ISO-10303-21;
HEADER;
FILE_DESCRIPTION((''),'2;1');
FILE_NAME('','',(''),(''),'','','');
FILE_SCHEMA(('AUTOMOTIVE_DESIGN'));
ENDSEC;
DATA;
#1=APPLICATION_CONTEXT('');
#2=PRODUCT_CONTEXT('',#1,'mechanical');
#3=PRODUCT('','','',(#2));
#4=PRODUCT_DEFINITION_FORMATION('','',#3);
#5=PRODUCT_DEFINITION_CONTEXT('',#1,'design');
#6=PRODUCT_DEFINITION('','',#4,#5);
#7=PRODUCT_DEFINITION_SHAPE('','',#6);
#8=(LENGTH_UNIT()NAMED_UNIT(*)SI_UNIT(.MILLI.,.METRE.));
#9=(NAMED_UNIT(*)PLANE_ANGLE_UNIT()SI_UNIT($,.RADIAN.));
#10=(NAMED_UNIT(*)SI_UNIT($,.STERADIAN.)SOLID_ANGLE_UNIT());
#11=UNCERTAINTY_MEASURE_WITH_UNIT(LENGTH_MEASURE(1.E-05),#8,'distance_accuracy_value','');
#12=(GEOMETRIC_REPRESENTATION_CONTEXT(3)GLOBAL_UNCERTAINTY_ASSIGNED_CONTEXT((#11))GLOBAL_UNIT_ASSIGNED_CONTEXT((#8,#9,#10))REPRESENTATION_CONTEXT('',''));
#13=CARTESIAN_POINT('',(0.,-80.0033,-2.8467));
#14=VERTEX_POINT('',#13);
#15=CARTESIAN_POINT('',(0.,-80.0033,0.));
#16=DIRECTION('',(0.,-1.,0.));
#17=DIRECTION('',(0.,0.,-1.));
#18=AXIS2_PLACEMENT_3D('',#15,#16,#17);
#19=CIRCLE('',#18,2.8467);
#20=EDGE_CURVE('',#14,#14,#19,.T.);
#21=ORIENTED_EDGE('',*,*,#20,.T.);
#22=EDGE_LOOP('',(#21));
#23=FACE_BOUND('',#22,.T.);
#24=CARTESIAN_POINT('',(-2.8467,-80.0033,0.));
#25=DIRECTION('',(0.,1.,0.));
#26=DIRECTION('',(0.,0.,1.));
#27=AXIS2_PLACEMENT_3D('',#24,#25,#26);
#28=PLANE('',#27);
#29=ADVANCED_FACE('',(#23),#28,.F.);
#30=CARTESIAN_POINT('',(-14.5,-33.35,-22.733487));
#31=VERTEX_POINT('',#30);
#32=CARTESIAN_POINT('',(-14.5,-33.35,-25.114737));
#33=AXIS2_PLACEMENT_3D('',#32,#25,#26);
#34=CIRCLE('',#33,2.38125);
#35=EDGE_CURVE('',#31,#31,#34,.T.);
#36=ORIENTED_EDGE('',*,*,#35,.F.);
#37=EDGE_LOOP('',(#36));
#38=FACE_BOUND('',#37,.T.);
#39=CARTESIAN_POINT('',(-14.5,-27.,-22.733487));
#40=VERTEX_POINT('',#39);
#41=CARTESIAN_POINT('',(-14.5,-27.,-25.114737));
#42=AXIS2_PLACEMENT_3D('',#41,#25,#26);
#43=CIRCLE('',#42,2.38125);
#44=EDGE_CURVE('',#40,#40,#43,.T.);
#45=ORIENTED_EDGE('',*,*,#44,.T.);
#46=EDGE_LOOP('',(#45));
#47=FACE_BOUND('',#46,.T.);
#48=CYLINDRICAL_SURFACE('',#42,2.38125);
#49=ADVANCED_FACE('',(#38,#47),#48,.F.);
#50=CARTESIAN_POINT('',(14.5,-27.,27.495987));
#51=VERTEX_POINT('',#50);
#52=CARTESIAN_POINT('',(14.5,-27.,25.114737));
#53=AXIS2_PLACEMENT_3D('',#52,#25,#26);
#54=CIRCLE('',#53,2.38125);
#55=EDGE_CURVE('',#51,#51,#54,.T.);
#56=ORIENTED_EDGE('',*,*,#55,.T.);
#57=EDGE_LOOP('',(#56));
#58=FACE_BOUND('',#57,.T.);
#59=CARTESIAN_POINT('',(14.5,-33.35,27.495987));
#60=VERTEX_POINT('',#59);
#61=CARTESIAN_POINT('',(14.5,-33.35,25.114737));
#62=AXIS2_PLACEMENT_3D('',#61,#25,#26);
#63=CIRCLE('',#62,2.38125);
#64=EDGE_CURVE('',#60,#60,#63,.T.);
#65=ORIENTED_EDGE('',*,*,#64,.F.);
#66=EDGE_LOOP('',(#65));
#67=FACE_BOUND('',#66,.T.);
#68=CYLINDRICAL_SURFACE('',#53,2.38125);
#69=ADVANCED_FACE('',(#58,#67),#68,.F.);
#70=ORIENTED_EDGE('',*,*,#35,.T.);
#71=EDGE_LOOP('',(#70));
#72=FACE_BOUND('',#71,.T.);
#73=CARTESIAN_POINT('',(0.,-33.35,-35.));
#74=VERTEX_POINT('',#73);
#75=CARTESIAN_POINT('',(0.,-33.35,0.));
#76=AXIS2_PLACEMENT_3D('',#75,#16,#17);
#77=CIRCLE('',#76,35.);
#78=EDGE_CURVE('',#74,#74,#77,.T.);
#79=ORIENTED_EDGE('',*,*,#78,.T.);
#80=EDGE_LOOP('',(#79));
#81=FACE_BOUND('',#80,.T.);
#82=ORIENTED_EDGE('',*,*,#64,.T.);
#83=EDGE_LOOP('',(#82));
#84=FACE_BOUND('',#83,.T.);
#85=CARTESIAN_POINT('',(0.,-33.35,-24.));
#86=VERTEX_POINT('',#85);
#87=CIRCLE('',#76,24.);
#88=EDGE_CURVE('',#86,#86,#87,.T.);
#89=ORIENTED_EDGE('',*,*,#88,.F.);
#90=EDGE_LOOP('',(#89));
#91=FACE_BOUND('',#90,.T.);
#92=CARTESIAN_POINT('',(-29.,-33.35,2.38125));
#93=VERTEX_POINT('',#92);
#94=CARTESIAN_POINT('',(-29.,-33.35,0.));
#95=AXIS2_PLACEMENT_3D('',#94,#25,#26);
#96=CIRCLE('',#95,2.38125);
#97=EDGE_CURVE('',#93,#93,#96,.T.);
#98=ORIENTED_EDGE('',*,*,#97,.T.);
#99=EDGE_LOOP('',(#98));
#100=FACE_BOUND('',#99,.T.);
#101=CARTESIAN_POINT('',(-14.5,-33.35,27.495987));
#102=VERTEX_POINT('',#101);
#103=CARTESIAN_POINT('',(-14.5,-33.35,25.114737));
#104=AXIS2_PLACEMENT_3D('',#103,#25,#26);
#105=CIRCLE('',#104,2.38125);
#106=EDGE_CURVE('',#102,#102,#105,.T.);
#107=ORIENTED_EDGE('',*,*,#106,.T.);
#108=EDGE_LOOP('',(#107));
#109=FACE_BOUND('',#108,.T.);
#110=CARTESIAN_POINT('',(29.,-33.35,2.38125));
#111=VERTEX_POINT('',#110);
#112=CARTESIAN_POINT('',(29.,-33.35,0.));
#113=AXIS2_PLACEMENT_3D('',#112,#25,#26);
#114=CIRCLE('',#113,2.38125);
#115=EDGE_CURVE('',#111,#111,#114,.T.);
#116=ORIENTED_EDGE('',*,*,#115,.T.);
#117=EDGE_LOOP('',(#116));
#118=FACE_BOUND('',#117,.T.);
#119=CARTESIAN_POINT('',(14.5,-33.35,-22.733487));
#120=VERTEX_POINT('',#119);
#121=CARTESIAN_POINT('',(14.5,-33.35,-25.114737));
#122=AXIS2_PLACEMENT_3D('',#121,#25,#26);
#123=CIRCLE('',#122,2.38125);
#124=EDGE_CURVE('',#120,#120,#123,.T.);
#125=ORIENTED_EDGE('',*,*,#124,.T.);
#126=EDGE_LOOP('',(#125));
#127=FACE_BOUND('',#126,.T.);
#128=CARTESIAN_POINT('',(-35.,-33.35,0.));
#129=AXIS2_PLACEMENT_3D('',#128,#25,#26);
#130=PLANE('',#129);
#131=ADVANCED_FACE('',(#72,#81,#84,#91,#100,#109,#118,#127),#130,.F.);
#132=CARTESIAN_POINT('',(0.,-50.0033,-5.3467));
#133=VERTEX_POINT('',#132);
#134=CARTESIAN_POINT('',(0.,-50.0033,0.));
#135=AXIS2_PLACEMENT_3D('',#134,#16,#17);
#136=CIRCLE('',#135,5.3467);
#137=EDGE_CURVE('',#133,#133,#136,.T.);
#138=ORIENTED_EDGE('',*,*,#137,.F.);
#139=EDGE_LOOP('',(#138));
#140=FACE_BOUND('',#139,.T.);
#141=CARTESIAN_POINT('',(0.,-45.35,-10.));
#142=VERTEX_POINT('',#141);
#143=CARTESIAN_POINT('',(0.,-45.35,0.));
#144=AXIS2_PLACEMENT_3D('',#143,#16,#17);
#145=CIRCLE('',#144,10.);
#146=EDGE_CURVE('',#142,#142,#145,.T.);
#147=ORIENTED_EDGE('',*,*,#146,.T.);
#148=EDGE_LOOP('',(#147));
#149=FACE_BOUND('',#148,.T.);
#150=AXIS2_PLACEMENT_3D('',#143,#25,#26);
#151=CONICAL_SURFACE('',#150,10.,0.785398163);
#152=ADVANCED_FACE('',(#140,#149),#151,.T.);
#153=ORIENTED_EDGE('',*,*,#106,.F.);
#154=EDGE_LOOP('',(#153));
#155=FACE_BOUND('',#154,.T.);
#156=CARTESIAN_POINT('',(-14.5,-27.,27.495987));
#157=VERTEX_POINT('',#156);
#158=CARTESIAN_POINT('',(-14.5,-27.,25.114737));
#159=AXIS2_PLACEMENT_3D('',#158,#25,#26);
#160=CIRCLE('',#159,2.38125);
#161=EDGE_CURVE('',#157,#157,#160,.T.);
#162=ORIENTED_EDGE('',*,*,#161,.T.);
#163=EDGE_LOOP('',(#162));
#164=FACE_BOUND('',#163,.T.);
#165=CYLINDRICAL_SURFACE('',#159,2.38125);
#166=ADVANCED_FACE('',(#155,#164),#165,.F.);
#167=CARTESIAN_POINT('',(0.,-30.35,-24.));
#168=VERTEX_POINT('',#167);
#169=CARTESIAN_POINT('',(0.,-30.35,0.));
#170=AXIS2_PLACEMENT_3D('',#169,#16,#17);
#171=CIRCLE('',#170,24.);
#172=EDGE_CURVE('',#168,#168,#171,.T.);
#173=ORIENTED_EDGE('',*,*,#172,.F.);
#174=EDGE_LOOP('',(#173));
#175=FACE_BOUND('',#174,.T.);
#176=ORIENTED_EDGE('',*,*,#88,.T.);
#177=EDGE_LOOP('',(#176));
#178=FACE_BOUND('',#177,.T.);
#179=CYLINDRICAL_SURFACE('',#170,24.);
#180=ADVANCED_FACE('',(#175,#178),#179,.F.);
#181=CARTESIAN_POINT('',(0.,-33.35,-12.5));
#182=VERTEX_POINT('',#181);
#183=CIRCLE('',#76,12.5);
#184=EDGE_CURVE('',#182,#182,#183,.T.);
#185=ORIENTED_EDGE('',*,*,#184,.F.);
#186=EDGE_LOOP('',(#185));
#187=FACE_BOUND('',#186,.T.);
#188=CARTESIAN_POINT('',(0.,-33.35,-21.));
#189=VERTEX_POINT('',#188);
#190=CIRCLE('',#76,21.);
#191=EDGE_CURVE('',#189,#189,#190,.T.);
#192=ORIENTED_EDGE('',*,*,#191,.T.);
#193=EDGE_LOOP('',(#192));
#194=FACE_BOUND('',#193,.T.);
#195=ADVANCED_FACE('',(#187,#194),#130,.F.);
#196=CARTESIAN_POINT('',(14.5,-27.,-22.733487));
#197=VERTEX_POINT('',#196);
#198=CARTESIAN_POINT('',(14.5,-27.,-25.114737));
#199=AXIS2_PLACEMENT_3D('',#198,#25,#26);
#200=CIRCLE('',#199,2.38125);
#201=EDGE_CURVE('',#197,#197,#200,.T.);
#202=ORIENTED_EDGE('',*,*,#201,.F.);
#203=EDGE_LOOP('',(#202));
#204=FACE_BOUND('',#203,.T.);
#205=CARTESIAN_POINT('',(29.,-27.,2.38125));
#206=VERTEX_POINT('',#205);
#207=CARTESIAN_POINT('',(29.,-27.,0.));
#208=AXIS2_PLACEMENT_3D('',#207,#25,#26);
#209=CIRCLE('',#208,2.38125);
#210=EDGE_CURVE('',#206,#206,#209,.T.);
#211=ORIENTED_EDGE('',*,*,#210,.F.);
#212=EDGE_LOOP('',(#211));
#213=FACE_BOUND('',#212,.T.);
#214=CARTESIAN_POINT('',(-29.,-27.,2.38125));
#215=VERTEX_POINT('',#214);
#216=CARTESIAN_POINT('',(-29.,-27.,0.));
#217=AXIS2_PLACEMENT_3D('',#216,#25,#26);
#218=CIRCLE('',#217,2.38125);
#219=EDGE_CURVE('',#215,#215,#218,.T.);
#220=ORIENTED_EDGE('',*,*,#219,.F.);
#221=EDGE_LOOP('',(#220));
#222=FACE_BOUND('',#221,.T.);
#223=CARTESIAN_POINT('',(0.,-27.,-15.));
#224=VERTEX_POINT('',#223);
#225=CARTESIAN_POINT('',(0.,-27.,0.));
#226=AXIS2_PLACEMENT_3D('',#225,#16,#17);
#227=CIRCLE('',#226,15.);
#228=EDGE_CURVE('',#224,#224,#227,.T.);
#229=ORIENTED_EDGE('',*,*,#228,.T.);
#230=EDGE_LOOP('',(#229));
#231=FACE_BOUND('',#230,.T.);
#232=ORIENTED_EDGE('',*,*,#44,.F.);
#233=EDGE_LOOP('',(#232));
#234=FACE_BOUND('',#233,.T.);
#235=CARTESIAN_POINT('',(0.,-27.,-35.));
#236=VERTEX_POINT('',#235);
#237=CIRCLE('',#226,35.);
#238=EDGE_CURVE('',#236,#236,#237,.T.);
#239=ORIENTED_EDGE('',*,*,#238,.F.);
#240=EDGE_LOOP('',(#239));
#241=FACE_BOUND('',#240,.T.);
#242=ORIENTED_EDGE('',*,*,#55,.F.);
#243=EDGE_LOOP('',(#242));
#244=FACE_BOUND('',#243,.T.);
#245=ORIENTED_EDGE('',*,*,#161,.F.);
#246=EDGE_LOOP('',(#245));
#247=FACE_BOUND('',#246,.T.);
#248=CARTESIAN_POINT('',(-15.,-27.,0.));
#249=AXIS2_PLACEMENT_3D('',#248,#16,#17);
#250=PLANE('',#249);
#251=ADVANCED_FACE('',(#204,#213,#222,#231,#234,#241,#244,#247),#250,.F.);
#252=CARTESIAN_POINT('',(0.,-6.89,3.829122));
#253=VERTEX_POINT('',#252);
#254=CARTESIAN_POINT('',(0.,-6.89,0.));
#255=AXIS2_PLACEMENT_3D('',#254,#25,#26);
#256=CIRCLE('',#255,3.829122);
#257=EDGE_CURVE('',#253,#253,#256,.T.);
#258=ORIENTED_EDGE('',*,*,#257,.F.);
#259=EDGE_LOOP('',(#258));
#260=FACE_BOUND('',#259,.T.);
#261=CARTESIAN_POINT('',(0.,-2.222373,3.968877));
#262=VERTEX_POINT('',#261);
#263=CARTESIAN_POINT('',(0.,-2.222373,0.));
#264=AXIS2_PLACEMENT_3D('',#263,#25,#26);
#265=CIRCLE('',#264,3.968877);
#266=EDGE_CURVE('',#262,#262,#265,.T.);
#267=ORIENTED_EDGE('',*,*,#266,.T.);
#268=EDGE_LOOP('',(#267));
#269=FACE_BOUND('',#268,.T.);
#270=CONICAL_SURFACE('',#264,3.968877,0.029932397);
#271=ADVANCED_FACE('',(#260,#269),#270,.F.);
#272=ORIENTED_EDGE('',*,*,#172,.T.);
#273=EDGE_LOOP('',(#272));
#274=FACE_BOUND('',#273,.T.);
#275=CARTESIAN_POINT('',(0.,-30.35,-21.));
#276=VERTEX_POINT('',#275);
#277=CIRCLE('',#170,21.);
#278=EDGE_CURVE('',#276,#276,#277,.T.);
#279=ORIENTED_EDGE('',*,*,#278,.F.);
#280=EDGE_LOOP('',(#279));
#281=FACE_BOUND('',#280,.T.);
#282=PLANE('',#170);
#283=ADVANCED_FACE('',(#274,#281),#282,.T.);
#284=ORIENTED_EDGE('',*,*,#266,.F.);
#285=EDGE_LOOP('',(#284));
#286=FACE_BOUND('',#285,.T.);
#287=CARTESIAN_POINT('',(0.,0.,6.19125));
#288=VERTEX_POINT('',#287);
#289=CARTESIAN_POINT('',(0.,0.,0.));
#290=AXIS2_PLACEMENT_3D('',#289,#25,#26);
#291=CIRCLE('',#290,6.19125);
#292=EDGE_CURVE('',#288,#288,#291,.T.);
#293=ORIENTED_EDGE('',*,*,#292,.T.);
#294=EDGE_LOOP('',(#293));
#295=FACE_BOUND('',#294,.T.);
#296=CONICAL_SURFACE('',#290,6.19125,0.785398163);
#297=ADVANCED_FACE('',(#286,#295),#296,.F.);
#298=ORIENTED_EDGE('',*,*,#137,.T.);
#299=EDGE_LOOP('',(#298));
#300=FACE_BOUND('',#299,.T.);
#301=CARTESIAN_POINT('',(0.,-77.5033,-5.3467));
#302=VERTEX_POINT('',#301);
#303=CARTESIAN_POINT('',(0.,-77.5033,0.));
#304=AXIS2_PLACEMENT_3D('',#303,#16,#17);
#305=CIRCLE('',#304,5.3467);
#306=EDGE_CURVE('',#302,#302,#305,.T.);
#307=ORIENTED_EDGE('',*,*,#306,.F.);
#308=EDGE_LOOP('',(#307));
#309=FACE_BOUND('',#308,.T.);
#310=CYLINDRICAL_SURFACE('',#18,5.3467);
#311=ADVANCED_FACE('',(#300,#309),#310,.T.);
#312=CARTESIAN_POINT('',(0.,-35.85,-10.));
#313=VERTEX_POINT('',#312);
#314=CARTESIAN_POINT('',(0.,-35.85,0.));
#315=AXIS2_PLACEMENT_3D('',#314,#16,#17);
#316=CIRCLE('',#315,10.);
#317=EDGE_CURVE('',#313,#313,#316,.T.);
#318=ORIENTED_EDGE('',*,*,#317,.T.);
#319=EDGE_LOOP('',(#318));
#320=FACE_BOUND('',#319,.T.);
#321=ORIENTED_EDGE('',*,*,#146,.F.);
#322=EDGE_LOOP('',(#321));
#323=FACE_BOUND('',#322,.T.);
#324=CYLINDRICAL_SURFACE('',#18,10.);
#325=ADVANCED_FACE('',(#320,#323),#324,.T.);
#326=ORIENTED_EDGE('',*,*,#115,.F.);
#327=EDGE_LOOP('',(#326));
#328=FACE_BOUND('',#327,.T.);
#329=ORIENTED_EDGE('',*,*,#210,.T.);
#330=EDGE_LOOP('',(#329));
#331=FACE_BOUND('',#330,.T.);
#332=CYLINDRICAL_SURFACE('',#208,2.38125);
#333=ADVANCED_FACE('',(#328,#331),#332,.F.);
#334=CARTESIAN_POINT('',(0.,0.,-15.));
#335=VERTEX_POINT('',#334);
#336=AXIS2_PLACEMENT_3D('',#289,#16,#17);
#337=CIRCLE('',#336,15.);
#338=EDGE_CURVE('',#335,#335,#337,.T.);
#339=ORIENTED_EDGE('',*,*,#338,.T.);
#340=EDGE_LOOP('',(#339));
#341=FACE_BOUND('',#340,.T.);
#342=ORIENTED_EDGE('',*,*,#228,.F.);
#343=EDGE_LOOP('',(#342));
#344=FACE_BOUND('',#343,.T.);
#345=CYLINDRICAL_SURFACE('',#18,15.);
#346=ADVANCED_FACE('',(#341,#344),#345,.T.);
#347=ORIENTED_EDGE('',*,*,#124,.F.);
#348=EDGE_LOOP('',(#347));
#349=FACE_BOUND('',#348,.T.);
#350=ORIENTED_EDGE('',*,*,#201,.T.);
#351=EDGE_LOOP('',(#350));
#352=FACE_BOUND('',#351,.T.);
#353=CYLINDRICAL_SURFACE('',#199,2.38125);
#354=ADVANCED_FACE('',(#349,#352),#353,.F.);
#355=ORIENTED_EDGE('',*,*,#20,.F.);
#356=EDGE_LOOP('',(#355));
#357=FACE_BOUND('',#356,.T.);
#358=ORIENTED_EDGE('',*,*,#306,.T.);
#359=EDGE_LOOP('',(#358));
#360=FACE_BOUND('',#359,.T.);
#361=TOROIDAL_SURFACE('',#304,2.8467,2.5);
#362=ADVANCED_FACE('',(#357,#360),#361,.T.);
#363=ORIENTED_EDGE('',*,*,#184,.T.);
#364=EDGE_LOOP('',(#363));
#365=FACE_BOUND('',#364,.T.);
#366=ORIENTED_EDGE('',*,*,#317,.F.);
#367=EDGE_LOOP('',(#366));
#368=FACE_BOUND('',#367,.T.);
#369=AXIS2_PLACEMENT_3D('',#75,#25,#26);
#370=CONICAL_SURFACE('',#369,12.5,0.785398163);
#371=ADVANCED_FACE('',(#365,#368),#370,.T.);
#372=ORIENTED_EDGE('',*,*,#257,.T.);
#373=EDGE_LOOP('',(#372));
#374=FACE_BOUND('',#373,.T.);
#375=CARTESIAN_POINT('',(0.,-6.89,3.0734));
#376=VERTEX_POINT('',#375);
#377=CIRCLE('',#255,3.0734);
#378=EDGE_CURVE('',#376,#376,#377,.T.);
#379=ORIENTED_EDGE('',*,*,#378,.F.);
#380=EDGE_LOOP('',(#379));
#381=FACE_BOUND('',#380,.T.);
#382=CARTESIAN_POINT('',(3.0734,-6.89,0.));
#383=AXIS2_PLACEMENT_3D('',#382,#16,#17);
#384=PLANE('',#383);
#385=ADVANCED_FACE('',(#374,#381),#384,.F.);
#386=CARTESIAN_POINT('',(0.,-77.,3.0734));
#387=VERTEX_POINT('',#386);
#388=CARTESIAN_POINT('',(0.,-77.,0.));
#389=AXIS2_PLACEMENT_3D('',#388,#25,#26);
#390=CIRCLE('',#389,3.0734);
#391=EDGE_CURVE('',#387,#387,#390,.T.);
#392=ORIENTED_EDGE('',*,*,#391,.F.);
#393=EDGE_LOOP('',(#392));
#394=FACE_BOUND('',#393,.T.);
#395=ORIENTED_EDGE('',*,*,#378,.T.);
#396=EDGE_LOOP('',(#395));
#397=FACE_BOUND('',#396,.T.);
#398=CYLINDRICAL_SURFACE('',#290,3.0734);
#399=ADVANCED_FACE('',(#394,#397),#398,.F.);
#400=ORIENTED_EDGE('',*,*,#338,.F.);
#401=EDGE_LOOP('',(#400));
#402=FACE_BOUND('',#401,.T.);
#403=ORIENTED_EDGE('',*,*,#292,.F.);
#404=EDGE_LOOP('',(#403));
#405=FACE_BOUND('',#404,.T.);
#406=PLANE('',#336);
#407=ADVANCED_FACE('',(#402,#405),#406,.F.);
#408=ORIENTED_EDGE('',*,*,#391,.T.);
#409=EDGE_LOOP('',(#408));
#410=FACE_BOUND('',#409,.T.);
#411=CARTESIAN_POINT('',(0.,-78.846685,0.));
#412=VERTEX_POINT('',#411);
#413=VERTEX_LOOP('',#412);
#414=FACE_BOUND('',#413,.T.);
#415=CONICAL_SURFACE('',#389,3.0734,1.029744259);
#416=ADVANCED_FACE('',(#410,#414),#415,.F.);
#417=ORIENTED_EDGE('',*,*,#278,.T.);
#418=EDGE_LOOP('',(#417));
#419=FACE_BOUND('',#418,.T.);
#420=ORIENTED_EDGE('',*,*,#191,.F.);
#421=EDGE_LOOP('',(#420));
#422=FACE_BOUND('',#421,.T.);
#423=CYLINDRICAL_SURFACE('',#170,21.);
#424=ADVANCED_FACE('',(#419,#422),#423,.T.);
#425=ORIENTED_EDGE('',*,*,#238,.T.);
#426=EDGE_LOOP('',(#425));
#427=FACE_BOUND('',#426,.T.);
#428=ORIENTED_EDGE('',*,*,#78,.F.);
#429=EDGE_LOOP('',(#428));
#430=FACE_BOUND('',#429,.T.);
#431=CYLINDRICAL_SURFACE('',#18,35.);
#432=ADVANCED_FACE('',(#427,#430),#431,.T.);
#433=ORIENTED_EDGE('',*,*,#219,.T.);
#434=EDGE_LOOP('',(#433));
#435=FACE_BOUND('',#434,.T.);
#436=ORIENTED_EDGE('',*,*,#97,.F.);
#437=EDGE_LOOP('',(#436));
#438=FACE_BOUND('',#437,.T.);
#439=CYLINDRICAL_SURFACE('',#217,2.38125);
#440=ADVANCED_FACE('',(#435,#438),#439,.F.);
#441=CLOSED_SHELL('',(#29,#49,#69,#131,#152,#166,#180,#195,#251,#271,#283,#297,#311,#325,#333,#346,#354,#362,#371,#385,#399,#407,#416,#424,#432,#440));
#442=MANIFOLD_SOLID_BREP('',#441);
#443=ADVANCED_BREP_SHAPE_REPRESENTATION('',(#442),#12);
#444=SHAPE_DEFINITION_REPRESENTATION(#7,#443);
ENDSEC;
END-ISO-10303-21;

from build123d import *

# Parameters (mm, degrees)
SKETCH5_R                      = 24
SKETCH5_R_2                    = 21
CUT_EXTRUDE1_DEPTH             = 3
F_3_16_0_1875_DIAMETER_HOLE1_D = 4.7625
CIRPATTERN1_COUNT              = 6


with BuildPart() as part:
    # Sketch1 → Revolve1 (revolve)
    with BuildSketch(Plane.XY, mode=Mode.PRIVATE) as revolve1_sk:
        with BuildLine():
            Line((0, 0), (-15, 0))
            Line((-15, 0), (-15, -27))
            Line((-15, -27), (-35, -27))
            Line((-35, -27), (-35, -33.35))
            Line((-35, -33.35), (-12.5, -33.35))
            Line((-12.5, -33.35), (-10, -35.85))
            Line((-10, -35.85), (-10, -45.35))
            Line((-10, -45.35), (-5.3467, -50.0033))
            Line((-5.3467, -50.0033), (-5.3467, -77.5033))
            ThreePointArc((-5.3467, -77.5033), (-4.614466953, -79.271066953), (-2.8467, -80.0033))
            Line((-2.8467, -80.0033), (0, -80.0033))
            Line((0, -80.0033), (0, 0))
        make_face()
    revolve(revolve1_sk.sketch.rotate(Axis((0, -80.0033, 0), (0, 1, 0)), 270), axis=Axis((0, -80.0033, 0), (0, 1, 0)))

    # Sketch4 → 1/16 NPT Tapped Hole1 (revolve, cut)
    with BuildSketch(Plane(origin=(0, 0, 0), x_dir=(0, 0, 1), z_dir=(1, 0, 0))):
        Polygon((0, 0), (0, 78.846685027), (3.0734, 77), (3.0734, 6.89), (3.829121997, 6.89), (3.968877, 2.222373), (6.19125, 0), align=None)
    revolve(axis=Axis((0, 6.35, 0), (0, -1, 0)), mode=Mode.SUBTRACT)

    # Sketch5 → Cut-Extrude1 (cut)
    with BuildSketch(Plane(origin=(0, -33.35, 0), x_dir=(-1, 0, 0), z_dir=(0, -1, 0))):
        with Locations(Location((0, 0, 0), (0, 0, 90))):
            Circle(SKETCH5_R)
        with Locations(Location((0, 0, 0), (0, 0, 90))):
            Circle(SKETCH5_R_2, mode=Mode.SUBTRACT)
    extrude(amount=-CUT_EXTRUDE1_DEPTH, mode=Mode.SUBTRACT)

    # 3/16 (0.1875) Diameter Hole1 (through all)
    with Locations(Plane(origin=(0, -27, 0), x_dir=(1, 0, 0), z_dir=(0, 1, 0))):
        with Locations((29, 0)):
            f_3_16_0_1875_diameter_hole1 = Hole(F_3_16_0_1875_DIAMETER_HOLE1_D / 2)

    # CirPattern1: 3/16 (0.1875) Diameter Hole1 ×6 about axis
    cirpattern1_axis = Axis((0, 0, 0), (0, 1, 0))
    for i in range(1, CIRPATTERN1_COUNT):
        add(f_3_16_0_1875_diameter_hole1.rotate(cirpattern1_axis, i * 360 / CIRPATTERN1_COUNT), mode=Mode.SUBTRACT)


solid = part.part
